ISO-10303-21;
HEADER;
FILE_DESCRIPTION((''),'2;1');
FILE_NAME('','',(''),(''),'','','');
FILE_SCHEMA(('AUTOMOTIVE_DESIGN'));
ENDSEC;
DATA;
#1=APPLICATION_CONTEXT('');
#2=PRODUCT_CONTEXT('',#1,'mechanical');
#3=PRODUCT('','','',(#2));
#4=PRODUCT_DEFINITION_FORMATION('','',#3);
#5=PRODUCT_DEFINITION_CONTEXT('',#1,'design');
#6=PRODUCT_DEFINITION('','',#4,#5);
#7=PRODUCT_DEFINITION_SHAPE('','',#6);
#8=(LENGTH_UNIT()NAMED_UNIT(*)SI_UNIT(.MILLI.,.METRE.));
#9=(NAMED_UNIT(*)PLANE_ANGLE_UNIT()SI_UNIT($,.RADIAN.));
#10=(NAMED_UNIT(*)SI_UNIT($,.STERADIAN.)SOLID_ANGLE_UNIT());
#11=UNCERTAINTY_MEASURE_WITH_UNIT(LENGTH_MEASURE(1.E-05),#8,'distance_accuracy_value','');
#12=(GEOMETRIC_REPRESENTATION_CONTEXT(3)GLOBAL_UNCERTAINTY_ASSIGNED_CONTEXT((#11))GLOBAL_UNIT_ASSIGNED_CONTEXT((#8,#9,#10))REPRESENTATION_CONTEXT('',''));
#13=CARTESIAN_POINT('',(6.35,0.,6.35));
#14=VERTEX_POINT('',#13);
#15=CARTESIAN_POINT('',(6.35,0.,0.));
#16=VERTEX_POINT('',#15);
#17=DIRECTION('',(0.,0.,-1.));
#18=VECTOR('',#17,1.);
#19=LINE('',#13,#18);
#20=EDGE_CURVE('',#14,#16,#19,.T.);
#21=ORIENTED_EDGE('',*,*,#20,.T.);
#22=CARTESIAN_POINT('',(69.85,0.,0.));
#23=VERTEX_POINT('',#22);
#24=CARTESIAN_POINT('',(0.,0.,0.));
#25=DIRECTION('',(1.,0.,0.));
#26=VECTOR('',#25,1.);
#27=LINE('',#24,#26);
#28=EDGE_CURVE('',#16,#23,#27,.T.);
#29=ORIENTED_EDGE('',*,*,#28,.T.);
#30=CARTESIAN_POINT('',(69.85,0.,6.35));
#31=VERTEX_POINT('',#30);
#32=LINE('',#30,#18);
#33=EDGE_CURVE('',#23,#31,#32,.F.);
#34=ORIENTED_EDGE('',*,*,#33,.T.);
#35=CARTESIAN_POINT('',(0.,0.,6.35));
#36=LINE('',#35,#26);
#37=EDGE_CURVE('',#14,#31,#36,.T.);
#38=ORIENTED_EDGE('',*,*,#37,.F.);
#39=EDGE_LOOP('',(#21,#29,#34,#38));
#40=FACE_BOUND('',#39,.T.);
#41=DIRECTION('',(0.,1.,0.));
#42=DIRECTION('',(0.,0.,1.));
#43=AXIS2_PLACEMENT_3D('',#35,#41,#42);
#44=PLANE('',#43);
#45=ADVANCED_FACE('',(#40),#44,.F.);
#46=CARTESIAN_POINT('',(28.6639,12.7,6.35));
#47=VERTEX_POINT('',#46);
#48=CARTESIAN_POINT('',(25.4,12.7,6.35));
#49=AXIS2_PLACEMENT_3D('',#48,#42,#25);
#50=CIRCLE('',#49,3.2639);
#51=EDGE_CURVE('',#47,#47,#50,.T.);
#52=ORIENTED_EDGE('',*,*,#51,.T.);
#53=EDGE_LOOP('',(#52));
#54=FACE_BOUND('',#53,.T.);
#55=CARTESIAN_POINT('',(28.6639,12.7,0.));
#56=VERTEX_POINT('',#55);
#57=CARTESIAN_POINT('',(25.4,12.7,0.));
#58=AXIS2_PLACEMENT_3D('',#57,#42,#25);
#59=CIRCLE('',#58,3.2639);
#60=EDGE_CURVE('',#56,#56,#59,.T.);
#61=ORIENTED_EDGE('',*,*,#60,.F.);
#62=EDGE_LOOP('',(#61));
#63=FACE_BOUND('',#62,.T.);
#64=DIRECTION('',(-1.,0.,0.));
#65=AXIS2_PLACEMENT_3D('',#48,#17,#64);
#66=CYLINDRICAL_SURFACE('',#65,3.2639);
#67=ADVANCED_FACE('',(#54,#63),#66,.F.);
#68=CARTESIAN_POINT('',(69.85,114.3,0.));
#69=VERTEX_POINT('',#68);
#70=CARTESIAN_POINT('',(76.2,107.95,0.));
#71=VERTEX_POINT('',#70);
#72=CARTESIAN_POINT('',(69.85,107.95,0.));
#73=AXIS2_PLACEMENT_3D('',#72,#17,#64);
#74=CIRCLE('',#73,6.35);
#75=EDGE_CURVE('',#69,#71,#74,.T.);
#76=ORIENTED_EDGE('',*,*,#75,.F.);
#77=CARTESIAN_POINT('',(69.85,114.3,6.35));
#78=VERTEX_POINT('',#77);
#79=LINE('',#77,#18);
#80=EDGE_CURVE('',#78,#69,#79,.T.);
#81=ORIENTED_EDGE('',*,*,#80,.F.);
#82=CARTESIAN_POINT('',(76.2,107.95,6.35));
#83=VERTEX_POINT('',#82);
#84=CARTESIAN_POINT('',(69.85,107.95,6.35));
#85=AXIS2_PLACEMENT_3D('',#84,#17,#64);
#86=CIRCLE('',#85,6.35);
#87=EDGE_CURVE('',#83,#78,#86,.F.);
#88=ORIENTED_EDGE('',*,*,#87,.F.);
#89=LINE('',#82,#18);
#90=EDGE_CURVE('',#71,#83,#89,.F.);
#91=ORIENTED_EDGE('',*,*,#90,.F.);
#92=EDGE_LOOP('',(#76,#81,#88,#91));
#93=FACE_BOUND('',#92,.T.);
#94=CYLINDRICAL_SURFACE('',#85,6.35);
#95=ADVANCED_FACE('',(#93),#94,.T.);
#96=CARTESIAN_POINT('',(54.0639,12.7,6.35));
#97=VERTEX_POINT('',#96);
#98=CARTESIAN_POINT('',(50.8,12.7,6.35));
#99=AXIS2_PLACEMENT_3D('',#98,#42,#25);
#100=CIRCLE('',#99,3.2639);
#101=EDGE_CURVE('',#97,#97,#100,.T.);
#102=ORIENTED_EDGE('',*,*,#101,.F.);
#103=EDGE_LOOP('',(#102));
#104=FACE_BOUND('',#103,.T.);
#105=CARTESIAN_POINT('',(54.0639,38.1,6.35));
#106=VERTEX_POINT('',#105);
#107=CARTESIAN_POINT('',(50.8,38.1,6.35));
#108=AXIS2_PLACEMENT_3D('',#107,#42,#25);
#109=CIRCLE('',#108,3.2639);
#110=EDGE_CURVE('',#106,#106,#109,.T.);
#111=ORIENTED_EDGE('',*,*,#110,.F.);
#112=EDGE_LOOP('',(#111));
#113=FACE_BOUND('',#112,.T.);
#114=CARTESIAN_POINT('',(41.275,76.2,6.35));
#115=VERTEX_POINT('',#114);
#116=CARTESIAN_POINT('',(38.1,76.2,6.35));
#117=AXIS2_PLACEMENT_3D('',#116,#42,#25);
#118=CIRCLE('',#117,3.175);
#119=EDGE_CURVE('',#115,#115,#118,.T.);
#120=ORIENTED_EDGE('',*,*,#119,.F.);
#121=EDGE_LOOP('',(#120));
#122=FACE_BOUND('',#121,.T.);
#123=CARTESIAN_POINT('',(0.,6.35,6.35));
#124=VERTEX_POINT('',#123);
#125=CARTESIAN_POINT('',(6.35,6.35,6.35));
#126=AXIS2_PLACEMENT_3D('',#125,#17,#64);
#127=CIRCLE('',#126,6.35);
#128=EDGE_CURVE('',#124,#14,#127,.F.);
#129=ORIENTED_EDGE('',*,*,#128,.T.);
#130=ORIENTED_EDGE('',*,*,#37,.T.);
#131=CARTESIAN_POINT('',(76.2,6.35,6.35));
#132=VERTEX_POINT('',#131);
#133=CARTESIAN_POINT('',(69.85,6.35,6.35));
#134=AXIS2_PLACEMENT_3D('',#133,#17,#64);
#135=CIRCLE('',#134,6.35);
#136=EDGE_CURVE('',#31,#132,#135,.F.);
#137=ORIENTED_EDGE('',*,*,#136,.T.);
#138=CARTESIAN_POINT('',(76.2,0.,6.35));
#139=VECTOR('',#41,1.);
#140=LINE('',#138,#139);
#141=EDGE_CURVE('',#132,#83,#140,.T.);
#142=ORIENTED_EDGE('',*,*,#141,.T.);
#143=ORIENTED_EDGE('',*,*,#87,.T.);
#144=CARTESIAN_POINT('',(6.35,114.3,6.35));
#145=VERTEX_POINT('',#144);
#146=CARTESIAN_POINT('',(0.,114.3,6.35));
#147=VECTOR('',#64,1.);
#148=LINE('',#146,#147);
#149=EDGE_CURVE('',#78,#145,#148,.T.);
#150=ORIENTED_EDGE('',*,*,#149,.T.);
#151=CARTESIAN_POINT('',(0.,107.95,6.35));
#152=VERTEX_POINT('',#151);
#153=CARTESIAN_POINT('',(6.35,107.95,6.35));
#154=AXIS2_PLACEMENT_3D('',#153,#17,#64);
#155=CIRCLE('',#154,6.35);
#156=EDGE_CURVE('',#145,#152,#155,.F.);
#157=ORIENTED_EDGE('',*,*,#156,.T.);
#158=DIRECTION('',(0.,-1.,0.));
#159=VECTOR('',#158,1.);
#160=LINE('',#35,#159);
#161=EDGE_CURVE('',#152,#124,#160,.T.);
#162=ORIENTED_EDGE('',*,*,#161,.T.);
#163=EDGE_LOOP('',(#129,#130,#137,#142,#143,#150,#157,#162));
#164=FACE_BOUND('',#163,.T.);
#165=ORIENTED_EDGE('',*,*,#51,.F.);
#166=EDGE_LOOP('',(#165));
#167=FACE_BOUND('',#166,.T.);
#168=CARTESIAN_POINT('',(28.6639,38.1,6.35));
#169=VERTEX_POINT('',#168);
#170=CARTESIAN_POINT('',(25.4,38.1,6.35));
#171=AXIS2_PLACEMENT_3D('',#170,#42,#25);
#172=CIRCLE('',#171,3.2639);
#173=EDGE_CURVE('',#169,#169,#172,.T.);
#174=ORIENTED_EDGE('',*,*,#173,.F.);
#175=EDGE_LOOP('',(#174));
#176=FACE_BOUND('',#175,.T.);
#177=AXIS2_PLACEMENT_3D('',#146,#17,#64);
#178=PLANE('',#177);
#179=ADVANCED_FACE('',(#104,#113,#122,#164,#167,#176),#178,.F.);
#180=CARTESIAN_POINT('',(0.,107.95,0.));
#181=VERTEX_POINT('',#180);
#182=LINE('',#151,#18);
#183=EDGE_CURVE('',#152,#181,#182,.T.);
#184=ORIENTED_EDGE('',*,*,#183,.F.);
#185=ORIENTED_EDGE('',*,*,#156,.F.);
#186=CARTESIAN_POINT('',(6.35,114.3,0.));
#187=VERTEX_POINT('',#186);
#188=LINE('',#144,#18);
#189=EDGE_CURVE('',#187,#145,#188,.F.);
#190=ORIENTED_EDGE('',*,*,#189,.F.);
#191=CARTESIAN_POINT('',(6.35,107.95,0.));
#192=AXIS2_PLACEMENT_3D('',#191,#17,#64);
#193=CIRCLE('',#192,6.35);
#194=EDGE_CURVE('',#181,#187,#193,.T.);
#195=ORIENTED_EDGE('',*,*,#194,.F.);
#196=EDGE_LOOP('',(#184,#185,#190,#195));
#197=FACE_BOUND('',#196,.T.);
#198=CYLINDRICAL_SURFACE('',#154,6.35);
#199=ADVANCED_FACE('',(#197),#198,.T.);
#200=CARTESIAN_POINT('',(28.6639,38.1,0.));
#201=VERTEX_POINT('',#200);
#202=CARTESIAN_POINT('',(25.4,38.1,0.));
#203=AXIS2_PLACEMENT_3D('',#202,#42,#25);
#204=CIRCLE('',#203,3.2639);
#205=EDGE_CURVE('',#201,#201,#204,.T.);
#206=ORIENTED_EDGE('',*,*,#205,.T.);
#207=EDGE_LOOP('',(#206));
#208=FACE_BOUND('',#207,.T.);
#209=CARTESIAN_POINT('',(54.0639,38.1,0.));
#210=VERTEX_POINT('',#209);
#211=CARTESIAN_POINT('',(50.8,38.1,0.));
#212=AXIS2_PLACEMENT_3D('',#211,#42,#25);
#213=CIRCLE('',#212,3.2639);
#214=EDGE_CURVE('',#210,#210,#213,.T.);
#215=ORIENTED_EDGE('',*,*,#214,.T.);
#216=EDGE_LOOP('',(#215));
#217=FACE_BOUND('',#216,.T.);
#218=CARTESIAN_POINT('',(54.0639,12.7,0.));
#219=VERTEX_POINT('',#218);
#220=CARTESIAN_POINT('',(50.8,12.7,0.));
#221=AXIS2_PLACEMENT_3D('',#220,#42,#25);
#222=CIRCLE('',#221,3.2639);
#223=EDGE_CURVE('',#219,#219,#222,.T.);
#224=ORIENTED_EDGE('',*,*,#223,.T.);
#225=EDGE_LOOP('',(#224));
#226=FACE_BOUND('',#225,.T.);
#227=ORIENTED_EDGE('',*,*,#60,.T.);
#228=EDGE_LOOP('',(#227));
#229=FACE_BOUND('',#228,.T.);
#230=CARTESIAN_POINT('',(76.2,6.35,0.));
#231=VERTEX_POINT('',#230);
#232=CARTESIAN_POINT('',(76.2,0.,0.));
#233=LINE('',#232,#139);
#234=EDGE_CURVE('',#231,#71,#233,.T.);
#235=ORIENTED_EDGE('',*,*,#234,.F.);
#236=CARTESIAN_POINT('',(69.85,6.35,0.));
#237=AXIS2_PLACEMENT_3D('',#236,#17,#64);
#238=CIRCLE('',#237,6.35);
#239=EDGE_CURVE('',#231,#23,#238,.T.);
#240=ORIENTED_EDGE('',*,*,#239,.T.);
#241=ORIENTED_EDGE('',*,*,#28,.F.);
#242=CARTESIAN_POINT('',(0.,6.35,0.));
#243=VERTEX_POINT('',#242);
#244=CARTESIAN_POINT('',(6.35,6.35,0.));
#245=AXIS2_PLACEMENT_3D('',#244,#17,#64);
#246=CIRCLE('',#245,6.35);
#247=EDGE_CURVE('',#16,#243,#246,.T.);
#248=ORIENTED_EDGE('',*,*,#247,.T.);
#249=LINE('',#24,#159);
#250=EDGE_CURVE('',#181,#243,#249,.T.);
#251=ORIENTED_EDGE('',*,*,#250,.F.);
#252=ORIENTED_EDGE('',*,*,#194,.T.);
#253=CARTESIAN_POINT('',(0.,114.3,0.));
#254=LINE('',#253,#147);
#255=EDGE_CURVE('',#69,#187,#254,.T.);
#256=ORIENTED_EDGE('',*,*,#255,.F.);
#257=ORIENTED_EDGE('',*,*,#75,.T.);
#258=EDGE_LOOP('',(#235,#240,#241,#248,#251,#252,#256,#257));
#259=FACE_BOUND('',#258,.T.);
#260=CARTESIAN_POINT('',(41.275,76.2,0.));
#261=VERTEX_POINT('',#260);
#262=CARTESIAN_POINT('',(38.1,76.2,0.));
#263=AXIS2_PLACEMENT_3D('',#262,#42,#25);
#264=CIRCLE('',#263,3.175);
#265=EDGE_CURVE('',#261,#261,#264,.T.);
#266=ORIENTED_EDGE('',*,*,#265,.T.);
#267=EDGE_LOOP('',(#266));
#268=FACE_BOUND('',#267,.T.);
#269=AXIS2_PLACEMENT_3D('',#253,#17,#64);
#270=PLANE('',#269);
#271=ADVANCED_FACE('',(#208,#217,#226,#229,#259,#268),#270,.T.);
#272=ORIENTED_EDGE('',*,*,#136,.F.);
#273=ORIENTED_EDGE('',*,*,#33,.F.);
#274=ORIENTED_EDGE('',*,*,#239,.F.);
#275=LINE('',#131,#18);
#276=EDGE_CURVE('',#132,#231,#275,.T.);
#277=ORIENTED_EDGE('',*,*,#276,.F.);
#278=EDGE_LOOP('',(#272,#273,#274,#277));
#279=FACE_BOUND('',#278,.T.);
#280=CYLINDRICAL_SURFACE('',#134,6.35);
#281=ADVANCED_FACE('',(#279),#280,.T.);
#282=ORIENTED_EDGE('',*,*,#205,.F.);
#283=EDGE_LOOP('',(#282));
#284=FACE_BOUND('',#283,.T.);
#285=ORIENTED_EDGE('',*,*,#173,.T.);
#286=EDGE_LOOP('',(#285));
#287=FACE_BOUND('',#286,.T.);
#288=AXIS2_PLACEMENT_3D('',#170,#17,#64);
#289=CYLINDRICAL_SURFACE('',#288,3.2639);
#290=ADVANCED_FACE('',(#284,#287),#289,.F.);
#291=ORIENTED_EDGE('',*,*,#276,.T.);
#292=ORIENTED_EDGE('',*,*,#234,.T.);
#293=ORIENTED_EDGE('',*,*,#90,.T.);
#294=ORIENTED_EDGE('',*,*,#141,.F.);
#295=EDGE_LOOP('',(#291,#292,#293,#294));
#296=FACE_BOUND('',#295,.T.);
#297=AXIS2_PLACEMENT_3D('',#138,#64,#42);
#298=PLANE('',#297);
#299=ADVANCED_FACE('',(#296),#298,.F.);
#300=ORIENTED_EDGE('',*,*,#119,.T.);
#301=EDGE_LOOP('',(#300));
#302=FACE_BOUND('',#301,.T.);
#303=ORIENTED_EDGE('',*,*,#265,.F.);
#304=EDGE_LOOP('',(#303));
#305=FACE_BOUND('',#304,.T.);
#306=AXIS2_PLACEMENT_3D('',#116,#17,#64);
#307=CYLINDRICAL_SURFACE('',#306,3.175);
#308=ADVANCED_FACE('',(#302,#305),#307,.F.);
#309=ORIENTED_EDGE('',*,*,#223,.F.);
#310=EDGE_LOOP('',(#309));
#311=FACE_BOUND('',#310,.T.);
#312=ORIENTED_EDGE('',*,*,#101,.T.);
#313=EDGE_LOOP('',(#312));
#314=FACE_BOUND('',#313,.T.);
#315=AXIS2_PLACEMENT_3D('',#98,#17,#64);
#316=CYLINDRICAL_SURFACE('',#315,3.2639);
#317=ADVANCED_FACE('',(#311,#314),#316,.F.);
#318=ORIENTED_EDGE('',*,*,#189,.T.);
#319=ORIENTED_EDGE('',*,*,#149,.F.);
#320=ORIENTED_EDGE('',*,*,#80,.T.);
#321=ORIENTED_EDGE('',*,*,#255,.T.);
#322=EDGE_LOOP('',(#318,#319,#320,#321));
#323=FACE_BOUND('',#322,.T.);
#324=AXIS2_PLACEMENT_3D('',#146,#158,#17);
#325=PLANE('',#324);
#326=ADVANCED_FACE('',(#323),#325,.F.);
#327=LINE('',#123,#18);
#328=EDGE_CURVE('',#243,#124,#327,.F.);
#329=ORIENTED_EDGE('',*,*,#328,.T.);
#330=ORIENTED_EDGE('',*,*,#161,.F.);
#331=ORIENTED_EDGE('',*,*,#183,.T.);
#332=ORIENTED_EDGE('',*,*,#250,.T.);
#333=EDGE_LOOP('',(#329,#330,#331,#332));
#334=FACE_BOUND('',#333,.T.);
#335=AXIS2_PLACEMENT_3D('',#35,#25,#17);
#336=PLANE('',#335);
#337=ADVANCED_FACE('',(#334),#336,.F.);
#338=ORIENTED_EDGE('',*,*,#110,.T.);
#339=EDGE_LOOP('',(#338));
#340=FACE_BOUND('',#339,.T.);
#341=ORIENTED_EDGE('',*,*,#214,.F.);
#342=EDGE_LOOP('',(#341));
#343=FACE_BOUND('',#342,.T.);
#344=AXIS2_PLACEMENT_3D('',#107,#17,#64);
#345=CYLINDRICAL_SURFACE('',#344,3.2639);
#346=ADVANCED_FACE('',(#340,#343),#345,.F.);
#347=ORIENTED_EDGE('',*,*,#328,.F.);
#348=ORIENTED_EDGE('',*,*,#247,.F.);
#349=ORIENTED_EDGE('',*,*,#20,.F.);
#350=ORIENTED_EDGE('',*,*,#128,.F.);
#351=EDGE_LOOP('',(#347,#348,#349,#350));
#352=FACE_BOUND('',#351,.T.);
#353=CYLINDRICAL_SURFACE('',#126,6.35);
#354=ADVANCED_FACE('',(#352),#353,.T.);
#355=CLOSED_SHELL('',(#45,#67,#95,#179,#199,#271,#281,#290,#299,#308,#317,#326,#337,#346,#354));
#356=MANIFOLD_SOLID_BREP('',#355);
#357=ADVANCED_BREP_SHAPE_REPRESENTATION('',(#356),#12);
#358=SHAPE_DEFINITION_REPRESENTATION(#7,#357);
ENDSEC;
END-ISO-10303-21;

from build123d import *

# Parameters (mm, degrees)
SKETCH1_W      = 76.2
SKETCH1_H      = 114.3
SKETCH1_R      = 3.2639
SKETCH1_R_2    = 3.175
EXTRUDE1_DEPTH = 6.35
FILLET1_R      = 6.35


with BuildPart() as part:
    # Sketch1 → Extrude1 (new body)
    with BuildSketch(Plane.XY):
        with Locations((38.1, 57.15)):
            Rectangle(SKETCH1_W, SKETCH1_H)
        with Locations((25.4, 12.7)):
            Circle(SKETCH1_R, mode=Mode.SUBTRACT)
        with Locations((50.8, 12.7)):
            Circle(SKETCH1_R, mode=Mode.SUBTRACT)
        with Locations((25.4, 38.1)):
            Circle(SKETCH1_R, mode=Mode.SUBTRACT)
        with Locations((50.8, 38.1)):
            Circle(SKETCH1_R, mode=Mode.SUBTRACT)
        with Locations((38.1, 76.2)):
            Circle(SKETCH1_R_2, mode=Mode.SUBTRACT)
    extrude(amount=EXTRUDE1_DEPTH)

    # Fillet1
    fillet1_edges = [part.edges().sort_by_distance(p)[0] for p in [
        (0, 114.3, 3.175),
        (76.2, 114.3, 3.175),
        (76.2, 0, 3.175),
        (0, 0, 3.175),
    ]]
    fillet(fillet1_edges, radius=FILLET1_R)


solid = part.part
